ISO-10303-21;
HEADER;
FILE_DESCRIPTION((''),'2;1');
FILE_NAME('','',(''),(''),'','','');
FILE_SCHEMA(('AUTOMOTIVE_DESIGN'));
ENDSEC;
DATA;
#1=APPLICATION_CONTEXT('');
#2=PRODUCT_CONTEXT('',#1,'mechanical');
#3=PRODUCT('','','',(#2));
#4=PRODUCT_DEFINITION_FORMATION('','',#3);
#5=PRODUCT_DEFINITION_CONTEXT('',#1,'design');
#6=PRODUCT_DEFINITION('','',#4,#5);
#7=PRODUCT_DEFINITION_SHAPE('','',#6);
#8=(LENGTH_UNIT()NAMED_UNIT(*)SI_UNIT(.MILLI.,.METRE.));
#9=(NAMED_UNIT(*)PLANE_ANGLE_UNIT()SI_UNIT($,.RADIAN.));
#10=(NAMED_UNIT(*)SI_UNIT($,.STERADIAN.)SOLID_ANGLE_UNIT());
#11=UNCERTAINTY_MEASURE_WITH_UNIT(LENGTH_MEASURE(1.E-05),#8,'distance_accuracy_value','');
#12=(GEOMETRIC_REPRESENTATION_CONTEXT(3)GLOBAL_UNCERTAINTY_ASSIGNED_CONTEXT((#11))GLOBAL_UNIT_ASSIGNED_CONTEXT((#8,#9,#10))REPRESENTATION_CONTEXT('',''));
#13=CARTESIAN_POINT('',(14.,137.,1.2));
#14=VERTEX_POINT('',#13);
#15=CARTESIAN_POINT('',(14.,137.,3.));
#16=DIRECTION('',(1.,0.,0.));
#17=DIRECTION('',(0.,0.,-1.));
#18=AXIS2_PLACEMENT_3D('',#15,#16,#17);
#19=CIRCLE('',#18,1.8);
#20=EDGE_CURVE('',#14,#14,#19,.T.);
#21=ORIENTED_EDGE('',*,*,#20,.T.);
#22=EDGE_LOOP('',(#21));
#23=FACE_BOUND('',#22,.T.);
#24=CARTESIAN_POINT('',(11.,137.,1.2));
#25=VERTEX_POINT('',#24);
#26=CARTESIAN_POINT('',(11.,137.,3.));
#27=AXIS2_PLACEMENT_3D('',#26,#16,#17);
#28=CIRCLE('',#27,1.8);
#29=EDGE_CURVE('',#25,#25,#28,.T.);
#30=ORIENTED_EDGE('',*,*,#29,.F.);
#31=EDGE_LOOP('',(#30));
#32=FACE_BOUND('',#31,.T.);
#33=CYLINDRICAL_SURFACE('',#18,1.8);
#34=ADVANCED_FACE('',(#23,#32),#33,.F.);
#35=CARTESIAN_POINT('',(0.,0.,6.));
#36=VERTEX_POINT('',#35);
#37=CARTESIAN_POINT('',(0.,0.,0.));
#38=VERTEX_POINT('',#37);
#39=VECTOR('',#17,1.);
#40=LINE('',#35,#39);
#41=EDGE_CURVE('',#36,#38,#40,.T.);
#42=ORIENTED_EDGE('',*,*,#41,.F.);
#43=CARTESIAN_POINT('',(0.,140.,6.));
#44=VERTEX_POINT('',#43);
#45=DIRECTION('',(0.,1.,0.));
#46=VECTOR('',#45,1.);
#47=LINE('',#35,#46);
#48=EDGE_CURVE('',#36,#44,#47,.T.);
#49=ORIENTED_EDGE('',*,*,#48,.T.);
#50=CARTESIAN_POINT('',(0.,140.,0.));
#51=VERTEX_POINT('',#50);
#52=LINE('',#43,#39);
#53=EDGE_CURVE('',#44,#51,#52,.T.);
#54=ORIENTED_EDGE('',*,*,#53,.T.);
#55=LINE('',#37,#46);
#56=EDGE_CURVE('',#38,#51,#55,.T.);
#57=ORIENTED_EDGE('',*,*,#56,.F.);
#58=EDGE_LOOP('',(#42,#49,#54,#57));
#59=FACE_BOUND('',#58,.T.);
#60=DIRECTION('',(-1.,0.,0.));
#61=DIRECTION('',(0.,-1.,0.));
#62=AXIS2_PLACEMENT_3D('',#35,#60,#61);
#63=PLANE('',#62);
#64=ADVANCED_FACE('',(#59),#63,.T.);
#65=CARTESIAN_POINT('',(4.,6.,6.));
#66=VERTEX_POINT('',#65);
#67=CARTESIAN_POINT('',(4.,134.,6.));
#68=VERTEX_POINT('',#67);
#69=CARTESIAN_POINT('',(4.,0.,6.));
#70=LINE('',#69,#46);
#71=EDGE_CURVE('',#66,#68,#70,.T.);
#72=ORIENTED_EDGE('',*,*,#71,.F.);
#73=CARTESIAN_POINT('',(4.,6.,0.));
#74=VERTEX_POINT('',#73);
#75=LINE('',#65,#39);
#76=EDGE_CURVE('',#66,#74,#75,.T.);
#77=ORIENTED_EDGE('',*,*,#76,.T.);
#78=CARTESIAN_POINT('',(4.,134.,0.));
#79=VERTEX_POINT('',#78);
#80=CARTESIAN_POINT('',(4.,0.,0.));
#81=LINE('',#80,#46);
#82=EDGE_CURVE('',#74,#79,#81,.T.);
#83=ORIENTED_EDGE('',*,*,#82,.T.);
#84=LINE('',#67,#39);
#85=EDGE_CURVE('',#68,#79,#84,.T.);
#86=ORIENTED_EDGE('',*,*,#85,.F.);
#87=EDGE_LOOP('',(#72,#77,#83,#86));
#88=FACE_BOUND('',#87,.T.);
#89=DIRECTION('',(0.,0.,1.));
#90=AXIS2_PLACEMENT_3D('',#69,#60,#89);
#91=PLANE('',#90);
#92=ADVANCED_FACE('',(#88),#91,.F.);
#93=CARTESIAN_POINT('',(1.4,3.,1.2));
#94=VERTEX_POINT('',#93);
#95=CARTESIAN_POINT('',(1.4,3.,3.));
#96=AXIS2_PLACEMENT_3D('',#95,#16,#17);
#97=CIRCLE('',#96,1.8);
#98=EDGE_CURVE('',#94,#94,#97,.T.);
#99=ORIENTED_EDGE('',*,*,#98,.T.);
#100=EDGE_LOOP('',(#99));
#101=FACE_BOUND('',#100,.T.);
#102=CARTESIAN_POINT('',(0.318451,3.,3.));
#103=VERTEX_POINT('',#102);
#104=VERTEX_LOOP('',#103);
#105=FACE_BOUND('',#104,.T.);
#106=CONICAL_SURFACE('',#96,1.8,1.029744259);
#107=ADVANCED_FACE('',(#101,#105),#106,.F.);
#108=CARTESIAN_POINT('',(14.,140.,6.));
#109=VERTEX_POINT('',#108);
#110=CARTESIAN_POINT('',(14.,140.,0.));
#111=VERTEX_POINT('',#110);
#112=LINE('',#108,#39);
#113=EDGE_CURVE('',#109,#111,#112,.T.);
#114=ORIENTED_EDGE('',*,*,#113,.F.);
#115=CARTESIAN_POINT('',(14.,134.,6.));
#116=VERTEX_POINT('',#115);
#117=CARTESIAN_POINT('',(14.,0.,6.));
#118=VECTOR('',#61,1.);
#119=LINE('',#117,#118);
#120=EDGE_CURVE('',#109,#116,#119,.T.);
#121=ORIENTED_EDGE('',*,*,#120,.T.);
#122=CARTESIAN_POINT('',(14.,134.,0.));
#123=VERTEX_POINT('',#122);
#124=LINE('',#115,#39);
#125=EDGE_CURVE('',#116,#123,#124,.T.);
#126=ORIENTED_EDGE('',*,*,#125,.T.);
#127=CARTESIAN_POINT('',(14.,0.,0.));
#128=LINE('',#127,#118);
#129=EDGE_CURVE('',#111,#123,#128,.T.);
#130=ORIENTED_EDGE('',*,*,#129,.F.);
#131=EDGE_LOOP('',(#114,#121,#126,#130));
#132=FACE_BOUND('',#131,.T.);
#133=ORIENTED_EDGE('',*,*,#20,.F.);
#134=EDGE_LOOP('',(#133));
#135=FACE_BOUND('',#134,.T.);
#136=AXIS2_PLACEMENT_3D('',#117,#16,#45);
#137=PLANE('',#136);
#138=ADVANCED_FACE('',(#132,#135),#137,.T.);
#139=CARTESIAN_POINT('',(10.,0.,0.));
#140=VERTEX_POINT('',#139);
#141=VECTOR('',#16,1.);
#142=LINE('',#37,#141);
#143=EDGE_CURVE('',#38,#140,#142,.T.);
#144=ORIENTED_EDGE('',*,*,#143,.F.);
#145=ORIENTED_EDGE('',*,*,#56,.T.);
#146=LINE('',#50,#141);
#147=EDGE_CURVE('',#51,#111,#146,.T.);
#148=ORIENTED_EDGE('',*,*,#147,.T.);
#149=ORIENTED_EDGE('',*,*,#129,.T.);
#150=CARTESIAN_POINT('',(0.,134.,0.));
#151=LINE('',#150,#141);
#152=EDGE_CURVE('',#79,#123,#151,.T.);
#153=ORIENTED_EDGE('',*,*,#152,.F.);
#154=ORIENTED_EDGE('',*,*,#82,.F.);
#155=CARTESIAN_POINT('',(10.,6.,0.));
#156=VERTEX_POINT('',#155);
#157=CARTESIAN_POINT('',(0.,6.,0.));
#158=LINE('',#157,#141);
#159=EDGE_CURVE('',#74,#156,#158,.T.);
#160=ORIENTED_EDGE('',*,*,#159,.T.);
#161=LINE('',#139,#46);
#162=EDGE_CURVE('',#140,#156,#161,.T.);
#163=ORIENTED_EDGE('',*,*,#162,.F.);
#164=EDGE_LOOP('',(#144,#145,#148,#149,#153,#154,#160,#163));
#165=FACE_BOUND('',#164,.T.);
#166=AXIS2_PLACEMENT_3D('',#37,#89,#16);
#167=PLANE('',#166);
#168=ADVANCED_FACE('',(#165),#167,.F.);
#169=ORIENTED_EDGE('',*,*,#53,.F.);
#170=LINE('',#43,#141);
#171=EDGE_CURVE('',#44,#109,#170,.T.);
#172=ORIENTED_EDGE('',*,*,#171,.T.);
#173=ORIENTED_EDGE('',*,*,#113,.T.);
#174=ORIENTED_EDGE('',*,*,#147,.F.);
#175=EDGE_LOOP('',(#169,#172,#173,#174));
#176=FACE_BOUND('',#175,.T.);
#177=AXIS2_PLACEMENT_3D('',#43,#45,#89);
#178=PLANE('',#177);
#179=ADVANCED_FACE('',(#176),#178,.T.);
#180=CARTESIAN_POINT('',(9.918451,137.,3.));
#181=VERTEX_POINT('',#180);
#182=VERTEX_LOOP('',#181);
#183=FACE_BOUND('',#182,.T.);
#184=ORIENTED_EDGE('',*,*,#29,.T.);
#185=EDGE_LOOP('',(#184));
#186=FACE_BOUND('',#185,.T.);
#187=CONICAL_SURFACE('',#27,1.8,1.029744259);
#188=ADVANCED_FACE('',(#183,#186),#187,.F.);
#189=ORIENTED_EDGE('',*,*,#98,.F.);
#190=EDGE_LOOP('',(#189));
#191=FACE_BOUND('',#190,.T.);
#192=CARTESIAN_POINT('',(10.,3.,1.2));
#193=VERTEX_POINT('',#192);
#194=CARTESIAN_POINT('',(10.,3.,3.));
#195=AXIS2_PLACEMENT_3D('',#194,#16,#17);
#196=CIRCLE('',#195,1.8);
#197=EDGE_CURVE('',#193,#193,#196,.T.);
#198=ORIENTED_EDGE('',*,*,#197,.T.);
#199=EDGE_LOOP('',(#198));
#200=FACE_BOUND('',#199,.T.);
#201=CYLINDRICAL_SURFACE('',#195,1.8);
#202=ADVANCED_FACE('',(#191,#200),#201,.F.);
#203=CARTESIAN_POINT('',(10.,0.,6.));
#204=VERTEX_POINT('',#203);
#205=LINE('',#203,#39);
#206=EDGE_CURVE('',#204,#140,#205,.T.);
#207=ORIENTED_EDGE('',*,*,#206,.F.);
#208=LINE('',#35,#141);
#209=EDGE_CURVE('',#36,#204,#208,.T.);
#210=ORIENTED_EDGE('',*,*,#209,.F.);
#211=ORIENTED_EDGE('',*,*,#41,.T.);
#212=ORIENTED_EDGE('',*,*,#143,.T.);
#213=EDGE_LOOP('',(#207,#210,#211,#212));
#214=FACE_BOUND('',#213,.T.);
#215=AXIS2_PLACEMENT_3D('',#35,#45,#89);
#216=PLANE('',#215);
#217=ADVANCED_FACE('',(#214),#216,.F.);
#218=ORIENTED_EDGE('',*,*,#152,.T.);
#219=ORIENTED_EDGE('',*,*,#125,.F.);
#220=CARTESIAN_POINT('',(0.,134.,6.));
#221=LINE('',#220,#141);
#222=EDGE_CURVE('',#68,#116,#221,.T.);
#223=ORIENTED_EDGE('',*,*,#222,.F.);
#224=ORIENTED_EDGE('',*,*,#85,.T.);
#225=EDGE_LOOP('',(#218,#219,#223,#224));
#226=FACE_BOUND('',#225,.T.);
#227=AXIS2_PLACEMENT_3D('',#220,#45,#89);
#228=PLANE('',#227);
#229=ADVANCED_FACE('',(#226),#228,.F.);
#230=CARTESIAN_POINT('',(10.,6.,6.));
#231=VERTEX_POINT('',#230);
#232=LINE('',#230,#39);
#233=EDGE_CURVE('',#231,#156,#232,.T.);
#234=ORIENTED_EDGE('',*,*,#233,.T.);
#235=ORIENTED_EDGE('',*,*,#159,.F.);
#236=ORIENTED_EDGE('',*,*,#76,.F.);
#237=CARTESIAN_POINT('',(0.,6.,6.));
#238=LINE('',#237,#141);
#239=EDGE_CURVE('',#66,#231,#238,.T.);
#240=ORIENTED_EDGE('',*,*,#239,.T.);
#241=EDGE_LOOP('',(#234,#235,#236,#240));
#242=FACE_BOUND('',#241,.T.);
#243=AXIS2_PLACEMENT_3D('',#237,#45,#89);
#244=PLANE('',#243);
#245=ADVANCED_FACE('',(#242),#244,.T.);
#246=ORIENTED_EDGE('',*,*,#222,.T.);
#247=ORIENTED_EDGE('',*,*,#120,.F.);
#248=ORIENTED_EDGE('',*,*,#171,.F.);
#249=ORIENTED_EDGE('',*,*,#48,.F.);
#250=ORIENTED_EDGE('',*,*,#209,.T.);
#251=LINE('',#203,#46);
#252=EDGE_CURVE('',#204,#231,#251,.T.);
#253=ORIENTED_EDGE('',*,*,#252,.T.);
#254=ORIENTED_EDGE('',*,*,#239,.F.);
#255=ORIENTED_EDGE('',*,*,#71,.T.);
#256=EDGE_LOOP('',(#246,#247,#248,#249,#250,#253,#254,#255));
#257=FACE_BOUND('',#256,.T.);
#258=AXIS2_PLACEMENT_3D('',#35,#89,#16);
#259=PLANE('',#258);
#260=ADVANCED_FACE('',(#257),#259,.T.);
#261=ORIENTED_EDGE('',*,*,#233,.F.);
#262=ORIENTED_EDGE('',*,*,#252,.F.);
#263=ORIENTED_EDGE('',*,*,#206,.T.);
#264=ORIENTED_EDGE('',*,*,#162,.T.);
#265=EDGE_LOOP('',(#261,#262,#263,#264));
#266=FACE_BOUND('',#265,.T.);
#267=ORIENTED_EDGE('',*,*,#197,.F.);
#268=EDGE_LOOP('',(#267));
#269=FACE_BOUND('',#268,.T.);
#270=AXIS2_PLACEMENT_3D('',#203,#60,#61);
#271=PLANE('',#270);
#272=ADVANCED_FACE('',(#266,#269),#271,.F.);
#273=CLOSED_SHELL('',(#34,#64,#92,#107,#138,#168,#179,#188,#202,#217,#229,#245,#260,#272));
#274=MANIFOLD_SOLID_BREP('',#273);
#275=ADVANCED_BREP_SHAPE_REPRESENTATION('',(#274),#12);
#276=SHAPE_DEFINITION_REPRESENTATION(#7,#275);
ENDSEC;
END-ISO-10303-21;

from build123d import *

# Parameters (mm, degrees)
CROQUIS1_W                       = 10
CROQUIS1_H                       = 6
CROQUIS1_W_2                     = 4
CROQUIS1_H_2                     = 140
CROQUIS1_W_3                     = 6
SALIENTE_EXTRUIR1_DEPTH          = 6
TALADRO_DE_MARGEN_PARA_M31_D     = 3.6
TALADRO_DE_MARGEN_PARA_M31_DEPTH = 3
TALADRO_DE_MARGEN_PARA_M31_TIP   = 1.081549114
TALADRO_DE_MARGEN_PARA_M32_D     = 3.6
TALADRO_DE_MARGEN_PARA_M32_DEPTH = 8.6
TALADRO_DE_MARGEN_PARA_M32_TIP   = 1.081549114


with BuildPart() as part:
    # Croquis1 → Saliente-Extruir1 (new body)
    with BuildSketch(Plane.XY):
        with Locations((9, 137)):
            Rectangle(CROQUIS1_W, CROQUIS1_H)
        with Locations((2, 70)):
            Rectangle(CROQUIS1_W_2, CROQUIS1_H_2)
        with Locations((7, 3)):
            Rectangle(CROQUIS1_W_3, CROQUIS1_H)
    extrude(amount=SALIENTE_EXTRUIR1_DEPTH)

    # Taladro de margen para M31
    with Locations(Plane(origin=(14, 0, 0), x_dir=(0, 0, -1), z_dir=(1, 0, 0))):
        with Locations((-3, 137)):
            Hole(TALADRO_DE_MARGEN_PARA_M31_D / 2, depth=TALADRO_DE_MARGEN_PARA_M31_DEPTH)
            with Locations((0, 0, -(TALADRO_DE_MARGEN_PARA_M31_DEPTH + TALADRO_DE_MARGEN_PARA_M31_TIP / 2))):  # 118° drill point
                Cone(0, TALADRO_DE_MARGEN_PARA_M31_D / 2, TALADRO_DE_MARGEN_PARA_M31_TIP, mode=Mode.SUBTRACT)

    # Taladro de margen para M32
    with Locations(Plane(origin=(10, 0, 0), x_dir=(0, 0, -1), z_dir=(1, 0, 0))):
        with Locations((-3, 3)):
            Hole(TALADRO_DE_MARGEN_PARA_M32_D / 2, depth=TALADRO_DE_MARGEN_PARA_M32_DEPTH)
            with Locations((0, 0, -(TALADRO_DE_MARGEN_PARA_M32_DEPTH + TALADRO_DE_MARGEN_PARA_M32_TIP / 2))):  # 118° drill point
                Cone(0, TALADRO_DE_MARGEN_PARA_M32_D / 2, TALADRO_DE_MARGEN_PARA_M32_TIP, mode=Mode.SUBTRACT)


solid = part.part
